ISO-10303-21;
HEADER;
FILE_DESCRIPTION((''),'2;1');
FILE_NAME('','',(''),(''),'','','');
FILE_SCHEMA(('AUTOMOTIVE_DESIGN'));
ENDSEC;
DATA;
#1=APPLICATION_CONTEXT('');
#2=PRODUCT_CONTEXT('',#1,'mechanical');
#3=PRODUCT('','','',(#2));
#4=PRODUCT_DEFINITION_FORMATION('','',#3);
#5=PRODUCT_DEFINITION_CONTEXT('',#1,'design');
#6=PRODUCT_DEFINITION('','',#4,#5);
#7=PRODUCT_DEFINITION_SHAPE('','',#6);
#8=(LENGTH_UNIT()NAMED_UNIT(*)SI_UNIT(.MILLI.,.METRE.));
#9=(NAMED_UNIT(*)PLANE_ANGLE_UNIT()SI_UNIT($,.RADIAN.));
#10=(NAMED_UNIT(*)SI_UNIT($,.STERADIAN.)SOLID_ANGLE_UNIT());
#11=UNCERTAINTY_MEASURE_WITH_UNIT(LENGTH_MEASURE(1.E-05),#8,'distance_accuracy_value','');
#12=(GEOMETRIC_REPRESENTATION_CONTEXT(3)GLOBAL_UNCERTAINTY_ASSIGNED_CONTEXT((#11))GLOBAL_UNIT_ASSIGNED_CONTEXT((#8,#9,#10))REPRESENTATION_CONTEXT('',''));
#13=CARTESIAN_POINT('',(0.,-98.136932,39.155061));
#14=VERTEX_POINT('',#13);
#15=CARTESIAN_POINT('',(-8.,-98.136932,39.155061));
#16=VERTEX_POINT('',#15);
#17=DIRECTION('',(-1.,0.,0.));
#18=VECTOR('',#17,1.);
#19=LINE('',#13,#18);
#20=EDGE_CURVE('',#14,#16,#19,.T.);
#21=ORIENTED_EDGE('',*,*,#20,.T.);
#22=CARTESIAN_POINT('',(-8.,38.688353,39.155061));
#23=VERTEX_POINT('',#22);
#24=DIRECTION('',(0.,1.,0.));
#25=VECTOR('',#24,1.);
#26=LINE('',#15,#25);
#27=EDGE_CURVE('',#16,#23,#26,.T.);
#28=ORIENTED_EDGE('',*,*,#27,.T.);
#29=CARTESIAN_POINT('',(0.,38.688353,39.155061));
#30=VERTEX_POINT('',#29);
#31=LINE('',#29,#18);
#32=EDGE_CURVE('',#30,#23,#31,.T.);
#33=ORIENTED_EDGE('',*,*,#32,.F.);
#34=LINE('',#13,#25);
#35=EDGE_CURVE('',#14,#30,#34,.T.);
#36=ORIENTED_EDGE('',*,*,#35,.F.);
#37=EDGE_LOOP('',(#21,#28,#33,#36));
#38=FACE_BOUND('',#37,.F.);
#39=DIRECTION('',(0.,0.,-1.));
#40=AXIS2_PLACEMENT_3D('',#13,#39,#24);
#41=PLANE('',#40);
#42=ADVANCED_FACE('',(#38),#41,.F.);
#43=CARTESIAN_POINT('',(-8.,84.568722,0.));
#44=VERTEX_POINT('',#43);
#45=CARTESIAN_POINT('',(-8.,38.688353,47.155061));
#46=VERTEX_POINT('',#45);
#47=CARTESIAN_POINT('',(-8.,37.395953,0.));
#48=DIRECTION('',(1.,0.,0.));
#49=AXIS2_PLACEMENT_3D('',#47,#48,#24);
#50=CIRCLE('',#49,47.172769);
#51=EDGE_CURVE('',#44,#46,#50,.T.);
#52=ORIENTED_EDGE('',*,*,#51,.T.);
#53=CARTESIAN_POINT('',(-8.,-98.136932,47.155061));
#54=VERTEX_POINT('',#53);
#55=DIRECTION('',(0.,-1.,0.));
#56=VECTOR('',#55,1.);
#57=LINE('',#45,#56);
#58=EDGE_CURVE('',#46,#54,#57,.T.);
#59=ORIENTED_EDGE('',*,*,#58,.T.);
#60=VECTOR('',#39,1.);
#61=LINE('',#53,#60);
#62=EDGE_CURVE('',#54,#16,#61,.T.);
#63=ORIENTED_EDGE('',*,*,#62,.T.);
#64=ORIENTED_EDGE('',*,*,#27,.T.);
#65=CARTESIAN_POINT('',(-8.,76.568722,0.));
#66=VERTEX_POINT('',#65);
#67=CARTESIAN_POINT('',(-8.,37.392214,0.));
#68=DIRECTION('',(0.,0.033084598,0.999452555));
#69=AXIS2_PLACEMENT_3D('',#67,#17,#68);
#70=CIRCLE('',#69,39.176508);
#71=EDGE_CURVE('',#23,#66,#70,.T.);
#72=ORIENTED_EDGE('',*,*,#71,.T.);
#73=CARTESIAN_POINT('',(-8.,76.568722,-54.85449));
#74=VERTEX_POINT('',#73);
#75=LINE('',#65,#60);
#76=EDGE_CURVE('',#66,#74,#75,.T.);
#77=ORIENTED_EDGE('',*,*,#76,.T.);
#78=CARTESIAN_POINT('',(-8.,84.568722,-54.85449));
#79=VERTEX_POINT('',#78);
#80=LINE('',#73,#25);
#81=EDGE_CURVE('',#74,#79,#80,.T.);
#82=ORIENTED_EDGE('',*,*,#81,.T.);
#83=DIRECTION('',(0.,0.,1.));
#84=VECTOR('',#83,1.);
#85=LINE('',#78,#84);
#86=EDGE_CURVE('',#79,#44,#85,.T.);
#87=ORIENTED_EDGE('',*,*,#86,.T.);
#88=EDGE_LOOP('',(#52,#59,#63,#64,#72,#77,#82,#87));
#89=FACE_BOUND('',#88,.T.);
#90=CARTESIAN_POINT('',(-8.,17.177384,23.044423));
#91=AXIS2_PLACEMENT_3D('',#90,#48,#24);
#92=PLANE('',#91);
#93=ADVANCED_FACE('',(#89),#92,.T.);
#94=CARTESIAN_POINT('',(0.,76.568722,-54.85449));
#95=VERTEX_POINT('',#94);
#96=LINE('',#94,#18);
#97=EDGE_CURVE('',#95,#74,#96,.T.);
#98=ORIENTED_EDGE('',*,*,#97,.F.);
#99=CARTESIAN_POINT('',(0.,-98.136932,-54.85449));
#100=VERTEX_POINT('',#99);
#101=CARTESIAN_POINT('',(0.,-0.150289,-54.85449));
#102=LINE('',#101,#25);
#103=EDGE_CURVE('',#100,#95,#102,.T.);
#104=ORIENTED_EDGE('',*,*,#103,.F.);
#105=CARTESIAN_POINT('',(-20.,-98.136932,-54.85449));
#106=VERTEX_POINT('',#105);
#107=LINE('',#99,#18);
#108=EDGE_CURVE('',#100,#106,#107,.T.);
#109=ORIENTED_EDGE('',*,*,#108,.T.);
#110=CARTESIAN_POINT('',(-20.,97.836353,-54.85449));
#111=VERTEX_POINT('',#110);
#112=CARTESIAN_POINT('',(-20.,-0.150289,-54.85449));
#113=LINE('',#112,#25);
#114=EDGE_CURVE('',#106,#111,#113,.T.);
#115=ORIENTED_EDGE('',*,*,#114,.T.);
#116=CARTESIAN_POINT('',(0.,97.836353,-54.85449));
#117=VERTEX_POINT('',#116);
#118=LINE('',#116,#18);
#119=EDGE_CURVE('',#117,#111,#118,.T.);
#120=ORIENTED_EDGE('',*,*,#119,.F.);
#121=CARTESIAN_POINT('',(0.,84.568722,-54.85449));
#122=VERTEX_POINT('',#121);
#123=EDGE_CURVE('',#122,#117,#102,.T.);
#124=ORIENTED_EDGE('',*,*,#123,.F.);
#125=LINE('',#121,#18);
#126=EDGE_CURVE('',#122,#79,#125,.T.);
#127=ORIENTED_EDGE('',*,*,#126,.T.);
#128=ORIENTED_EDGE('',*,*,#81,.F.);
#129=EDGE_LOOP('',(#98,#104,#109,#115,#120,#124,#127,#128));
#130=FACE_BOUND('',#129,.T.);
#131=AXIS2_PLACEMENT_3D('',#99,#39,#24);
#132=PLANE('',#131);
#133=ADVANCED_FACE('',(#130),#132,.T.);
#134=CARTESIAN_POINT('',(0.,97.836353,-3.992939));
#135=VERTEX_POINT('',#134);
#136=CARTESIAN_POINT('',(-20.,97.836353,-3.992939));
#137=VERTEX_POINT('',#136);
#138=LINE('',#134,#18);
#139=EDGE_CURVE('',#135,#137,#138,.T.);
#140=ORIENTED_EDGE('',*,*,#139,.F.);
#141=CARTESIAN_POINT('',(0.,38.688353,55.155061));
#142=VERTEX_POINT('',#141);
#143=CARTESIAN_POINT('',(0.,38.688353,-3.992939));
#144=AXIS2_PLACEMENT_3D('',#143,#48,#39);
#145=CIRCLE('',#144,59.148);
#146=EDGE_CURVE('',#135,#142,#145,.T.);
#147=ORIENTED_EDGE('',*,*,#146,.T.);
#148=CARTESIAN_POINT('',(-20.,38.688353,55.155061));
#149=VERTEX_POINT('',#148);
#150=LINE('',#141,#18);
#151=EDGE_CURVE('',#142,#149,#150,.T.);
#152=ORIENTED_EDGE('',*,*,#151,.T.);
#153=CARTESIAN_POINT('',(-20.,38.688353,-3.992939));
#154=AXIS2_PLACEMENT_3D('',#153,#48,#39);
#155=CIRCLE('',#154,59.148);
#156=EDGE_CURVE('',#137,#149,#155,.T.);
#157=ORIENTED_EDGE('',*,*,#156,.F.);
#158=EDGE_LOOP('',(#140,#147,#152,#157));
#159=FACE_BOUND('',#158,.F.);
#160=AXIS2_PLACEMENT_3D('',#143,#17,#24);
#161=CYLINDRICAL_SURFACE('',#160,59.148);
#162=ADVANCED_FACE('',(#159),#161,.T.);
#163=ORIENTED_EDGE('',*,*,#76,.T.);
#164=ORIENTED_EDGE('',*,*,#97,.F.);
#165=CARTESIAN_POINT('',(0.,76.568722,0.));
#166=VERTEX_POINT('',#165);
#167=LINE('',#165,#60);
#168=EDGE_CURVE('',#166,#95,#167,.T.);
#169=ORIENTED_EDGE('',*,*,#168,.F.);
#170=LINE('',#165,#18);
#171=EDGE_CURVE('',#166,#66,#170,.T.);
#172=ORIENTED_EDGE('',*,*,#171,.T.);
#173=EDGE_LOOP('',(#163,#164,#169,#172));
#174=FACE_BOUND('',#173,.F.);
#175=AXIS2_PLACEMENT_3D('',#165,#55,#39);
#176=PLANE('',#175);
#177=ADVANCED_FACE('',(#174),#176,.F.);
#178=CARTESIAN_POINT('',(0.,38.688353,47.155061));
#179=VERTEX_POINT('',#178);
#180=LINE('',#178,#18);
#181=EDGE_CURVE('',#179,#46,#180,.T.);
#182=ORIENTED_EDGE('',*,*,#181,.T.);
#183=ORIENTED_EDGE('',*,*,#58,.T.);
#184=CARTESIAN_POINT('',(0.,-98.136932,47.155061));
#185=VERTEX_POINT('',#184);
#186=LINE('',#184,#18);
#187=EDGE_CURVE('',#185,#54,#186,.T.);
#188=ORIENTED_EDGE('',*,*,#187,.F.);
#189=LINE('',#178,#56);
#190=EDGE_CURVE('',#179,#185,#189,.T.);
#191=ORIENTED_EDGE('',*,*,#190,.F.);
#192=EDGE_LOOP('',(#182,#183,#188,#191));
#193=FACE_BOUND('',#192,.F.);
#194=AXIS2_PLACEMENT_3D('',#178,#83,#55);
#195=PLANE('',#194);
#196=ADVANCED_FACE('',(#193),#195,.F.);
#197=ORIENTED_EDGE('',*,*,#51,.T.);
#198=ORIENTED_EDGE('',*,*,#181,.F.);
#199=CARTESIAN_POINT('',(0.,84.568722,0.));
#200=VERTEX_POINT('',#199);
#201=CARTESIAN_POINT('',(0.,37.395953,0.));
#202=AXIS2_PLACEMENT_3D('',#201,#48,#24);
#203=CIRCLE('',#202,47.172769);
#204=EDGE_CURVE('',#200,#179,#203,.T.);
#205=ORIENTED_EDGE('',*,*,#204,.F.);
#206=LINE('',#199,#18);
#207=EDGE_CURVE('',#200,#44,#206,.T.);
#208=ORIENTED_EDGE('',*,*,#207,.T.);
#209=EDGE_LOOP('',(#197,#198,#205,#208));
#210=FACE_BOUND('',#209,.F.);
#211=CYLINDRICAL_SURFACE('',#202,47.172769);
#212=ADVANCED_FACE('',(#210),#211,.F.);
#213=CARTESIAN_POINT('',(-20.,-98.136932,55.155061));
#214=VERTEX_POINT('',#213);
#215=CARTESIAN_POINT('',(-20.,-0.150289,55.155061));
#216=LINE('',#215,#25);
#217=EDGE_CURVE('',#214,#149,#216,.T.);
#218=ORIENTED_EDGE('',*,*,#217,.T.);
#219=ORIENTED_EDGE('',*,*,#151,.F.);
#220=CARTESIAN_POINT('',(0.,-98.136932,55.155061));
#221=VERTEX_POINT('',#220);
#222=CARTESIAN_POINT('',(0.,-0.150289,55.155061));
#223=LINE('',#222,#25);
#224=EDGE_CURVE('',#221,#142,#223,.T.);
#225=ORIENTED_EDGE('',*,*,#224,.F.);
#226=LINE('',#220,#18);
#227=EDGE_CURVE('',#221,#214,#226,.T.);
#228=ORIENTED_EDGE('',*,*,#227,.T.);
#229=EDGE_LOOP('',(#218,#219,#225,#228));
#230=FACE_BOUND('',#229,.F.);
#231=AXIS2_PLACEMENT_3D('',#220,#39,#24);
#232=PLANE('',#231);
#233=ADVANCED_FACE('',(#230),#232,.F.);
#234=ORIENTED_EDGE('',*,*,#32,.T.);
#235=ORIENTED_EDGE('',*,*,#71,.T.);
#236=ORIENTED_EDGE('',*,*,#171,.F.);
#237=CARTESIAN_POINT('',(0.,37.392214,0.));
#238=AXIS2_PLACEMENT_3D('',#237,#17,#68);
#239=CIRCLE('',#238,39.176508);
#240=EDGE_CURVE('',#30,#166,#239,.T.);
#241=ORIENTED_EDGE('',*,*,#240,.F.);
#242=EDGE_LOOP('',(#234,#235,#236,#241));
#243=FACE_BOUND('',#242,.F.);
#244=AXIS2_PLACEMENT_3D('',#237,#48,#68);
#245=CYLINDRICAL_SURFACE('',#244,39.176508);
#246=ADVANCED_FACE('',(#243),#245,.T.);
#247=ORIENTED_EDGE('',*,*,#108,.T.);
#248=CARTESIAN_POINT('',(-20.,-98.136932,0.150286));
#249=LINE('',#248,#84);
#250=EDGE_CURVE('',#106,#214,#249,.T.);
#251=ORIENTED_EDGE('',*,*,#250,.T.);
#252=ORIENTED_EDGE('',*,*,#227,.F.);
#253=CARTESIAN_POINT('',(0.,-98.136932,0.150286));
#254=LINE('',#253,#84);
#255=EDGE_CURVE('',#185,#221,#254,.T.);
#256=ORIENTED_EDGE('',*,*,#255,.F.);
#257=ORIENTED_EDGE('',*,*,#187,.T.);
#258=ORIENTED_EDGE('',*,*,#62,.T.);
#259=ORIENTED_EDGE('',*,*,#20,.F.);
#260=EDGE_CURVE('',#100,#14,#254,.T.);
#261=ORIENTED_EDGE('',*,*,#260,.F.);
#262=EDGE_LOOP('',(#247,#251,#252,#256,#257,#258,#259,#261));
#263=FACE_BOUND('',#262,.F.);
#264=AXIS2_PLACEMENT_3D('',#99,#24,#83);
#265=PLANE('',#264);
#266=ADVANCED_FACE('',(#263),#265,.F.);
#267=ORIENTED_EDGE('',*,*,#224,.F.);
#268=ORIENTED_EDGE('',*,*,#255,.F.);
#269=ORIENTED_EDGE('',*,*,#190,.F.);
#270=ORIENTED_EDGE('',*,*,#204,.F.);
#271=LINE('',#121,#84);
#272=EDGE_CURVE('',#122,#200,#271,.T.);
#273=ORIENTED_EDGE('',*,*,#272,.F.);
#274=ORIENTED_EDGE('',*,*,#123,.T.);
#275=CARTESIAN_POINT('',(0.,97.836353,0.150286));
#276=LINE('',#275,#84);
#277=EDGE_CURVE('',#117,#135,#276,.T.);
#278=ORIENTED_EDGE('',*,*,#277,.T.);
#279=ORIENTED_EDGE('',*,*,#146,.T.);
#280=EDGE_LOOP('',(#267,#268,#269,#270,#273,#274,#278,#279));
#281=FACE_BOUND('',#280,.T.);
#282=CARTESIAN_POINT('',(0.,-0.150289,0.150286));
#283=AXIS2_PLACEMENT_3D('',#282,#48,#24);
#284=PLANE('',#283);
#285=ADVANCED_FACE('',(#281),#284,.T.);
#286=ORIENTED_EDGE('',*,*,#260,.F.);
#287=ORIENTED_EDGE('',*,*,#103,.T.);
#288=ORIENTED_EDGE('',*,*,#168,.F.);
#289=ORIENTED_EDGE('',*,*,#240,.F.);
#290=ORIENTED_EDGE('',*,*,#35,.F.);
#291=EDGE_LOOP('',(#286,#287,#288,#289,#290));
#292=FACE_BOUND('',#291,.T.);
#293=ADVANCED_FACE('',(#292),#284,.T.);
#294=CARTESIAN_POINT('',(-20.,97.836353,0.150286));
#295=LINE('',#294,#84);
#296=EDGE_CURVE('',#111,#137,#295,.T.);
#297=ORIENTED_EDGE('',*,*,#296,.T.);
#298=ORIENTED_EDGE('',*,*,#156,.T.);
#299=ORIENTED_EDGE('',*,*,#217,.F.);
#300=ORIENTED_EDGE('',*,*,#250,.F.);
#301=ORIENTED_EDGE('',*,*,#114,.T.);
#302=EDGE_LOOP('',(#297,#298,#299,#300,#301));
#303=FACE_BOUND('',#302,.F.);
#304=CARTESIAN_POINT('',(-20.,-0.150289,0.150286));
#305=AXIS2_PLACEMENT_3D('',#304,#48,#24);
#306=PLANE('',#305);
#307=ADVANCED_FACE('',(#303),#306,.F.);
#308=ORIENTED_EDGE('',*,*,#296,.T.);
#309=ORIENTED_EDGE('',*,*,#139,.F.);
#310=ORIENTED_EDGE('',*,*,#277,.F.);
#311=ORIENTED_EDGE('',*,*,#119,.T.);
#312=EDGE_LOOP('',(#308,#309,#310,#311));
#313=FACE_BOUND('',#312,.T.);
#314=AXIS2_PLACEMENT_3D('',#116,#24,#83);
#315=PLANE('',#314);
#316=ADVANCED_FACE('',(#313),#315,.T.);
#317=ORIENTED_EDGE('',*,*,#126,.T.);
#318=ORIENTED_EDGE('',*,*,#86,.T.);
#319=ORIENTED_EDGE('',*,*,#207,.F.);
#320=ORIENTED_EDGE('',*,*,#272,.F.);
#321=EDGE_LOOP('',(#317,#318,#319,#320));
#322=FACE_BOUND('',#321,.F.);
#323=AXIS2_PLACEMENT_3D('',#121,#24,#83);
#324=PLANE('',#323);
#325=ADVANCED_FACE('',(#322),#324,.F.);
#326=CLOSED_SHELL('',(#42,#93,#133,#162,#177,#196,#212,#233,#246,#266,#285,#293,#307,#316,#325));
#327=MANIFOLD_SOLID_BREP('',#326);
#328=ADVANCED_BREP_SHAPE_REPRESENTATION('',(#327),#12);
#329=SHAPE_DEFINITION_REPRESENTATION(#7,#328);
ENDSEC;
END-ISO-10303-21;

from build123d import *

# Parameters (mm, degrees)
F0_W     = 195.9732845426
F0_H     = 110.0095510483
F1_DEPTH = 20
F2_R     = 59.148
F4_DEPTH = 8


with BuildPart() as f1:
    # F0 (on Right) → F1 (new body)
    with BuildSketch(Plane.YZ):
        with Locations((-0.1502893865, 0.1502856612)):
            Rectangle(F0_W, F0_H)
    extrude(amount=-F1_DEPTH)

    # F2
    f2_edges = [f1.edges().sort_by_distance(p)[0] for p in [
        (-10, 97.836353, 55.155061),
    ]]
    fillet(f2_edges, radius=F2_R)

    # F3 (on face) → F4 (cut)
    with BuildSketch(Plane.YZ):
        with BuildLine():
            Line((38.6883528848, 47.1550611854), (-98.1369316578, 47.1550611854))
            Line((-98.1369316578, 47.1550611854), (-98.1369316578, 39.1550611854))
            Line((-98.1369316578, 39.1550611854), (38.6883528848, 39.1550611854))
            ThreePointArc((38.6883528848, 39.1550611854), (65.5487139379, 27.2398659264), (76.5687220266, 0))
            Line((76.5687220266, 0), (76.5687220266, -54.8544898629))
            Line((76.5687220266, -54.8544898629), (84.5687220266, -54.8544898629))
            Line((84.5687220266, -54.8544898629), (84.5687220266, 0))
            ThreePointArc((84.5687220266, 0), (71.2059826894, 32.896079052), (38.6883528848, 47.1550611854))
        make_face()
    extrude(amount=-F4_DEPTH, mode=Mode.SUBTRACT)


solid = f1.part
